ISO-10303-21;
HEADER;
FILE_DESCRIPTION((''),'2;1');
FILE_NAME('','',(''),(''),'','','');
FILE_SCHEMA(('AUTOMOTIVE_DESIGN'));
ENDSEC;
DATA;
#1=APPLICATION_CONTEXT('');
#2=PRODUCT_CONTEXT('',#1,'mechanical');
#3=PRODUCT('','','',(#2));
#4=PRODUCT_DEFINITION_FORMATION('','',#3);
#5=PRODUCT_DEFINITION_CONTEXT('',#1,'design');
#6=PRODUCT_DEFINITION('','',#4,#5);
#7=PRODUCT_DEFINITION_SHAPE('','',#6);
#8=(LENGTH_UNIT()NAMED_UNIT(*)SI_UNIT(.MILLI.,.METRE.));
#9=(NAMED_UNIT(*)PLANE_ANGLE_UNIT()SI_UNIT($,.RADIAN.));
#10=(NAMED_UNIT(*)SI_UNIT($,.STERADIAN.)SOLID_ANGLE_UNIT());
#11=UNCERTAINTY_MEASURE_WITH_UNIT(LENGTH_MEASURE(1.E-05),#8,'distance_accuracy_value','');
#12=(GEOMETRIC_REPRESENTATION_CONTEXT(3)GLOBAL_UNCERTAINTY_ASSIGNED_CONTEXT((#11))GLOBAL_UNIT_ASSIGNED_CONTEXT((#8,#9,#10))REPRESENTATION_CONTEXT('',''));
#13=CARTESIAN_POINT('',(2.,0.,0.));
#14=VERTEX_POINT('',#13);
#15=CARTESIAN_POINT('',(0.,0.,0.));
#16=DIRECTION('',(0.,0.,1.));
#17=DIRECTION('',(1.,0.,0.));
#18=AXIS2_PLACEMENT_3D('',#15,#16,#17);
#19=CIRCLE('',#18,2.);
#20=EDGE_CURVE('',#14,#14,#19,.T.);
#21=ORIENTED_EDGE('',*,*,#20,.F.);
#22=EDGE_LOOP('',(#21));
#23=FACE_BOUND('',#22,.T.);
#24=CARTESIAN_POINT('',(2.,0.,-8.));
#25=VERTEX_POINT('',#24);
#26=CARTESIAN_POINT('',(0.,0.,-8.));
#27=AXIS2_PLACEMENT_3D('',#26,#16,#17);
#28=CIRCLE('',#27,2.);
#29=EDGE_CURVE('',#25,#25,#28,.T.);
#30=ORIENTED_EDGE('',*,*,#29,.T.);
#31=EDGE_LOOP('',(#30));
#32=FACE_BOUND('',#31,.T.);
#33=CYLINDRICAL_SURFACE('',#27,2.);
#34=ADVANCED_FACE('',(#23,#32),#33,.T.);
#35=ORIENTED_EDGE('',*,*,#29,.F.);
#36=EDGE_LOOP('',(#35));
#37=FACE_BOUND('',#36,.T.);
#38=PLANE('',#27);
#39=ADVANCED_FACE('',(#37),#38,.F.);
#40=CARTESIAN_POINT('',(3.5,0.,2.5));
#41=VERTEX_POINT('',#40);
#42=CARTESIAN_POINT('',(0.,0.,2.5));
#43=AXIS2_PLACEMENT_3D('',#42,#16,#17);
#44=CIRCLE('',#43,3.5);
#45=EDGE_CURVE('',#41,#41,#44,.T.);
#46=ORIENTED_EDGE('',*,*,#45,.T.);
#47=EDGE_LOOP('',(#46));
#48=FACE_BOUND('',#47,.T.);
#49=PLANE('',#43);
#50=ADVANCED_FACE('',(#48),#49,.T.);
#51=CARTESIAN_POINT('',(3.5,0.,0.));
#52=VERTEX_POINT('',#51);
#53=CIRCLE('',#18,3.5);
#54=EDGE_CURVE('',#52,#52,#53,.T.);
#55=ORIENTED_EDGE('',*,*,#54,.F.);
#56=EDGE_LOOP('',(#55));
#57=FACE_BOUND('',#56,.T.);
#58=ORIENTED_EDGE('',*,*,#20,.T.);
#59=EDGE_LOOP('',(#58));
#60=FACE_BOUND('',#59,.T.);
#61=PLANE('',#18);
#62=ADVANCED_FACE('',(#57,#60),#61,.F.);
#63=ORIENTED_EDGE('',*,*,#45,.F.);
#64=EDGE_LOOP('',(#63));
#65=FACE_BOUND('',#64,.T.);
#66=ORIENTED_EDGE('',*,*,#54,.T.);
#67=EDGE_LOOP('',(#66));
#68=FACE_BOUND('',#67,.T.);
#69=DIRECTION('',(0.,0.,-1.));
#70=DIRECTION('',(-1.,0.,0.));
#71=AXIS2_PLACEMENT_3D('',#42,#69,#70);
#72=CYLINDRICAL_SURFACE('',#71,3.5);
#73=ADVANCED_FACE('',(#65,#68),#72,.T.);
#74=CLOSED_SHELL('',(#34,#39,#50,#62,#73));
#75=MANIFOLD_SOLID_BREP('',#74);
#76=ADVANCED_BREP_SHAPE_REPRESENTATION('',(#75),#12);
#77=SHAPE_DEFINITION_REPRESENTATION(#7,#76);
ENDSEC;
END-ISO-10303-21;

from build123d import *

# Parameters (mm, degrees)
SKETCH1_R           = 2
BOSS_EXTRUDE1_DEPTH = 8
SKETCH2_R           = 3.5
BOSS_EXTRUDE2_DEPTH = 2.5


with BuildPart() as part:
    # Sketch1 → Boss-Extrude1 (new body)
    with BuildSketch(Plane.XY):
        Circle(SKETCH1_R)
    extrude(amount=-BOSS_EXTRUDE1_DEPTH)

    # Sketch2 → Boss-Extrude2 (add)
    with BuildSketch(Plane.XY):
        Circle(SKETCH2_R)
    extrude(amount=BOSS_EXTRUDE2_DEPTH)


solid = part.part
